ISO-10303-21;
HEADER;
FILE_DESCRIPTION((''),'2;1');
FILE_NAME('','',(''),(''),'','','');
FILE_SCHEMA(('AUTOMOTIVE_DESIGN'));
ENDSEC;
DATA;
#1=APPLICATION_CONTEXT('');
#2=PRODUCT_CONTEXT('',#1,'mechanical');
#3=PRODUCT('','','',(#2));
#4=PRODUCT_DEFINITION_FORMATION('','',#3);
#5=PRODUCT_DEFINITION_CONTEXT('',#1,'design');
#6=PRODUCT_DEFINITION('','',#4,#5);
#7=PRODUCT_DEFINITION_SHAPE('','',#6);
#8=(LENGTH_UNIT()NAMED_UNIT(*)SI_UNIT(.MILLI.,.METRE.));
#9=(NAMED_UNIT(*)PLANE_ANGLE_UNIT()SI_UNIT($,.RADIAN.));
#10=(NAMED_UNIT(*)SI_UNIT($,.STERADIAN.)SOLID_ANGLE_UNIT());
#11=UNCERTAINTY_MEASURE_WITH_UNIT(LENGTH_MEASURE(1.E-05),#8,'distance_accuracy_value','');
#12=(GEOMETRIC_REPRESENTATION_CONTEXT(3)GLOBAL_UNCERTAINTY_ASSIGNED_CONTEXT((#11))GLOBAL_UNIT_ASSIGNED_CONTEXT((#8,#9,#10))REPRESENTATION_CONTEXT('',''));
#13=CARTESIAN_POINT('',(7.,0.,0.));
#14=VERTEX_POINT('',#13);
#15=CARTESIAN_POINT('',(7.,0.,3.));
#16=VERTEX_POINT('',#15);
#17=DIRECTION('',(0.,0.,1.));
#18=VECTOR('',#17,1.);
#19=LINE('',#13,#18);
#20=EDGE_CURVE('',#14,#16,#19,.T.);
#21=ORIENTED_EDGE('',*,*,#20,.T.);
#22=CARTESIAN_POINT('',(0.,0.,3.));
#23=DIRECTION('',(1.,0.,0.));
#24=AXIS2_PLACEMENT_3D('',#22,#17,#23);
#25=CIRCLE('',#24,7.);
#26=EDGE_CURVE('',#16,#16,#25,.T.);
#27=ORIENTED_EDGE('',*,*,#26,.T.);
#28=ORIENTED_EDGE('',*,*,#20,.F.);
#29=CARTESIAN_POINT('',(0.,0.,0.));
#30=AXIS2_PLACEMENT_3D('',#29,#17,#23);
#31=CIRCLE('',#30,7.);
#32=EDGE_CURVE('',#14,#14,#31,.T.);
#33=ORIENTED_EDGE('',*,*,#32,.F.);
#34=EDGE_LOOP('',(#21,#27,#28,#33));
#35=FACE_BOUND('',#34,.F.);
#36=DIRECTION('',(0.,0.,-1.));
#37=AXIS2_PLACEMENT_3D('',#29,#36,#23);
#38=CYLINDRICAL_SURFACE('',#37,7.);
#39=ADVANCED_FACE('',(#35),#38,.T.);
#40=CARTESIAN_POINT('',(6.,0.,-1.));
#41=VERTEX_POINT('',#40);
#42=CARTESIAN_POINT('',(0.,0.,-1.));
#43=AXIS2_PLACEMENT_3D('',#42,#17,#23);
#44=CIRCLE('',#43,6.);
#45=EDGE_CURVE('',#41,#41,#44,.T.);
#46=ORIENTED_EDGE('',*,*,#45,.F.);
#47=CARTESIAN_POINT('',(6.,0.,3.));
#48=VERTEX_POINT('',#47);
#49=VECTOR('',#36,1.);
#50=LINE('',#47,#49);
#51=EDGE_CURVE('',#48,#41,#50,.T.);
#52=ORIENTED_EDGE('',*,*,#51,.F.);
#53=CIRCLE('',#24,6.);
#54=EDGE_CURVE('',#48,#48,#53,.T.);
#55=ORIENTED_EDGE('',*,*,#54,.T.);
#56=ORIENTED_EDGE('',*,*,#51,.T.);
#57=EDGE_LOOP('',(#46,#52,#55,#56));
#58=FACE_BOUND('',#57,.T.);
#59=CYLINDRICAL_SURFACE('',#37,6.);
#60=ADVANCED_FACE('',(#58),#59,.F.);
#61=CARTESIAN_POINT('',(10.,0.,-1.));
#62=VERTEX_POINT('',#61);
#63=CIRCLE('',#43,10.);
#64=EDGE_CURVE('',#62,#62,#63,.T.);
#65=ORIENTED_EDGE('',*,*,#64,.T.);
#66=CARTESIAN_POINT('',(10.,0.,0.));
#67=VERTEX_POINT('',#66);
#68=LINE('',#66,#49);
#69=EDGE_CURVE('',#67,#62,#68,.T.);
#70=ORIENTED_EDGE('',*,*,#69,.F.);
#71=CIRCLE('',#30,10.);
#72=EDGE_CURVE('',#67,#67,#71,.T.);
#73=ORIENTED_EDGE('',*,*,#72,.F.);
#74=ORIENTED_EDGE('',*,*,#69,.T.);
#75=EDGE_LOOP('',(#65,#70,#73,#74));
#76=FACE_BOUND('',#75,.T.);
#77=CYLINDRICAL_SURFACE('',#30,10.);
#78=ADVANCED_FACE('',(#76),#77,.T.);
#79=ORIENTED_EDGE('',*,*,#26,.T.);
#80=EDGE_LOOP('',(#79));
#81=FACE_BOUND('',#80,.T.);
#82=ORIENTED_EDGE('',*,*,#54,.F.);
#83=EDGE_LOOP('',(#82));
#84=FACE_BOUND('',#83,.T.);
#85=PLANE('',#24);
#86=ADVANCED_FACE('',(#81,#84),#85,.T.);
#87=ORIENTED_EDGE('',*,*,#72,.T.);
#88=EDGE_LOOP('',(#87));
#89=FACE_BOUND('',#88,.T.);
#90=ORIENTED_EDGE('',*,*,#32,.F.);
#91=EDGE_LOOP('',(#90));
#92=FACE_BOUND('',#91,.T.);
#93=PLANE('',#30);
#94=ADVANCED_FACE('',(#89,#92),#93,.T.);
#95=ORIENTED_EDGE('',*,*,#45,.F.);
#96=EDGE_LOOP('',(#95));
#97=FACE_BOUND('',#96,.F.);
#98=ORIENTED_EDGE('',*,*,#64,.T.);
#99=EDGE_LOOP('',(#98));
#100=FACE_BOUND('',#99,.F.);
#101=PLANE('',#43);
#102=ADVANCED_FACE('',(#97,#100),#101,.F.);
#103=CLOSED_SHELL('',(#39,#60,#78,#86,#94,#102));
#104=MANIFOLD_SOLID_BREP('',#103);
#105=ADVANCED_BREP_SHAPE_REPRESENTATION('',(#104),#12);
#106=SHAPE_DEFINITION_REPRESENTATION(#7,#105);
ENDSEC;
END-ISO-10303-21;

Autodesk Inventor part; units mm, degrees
ref_plane "YZ Plane" through (0, 0, 0) normal (1, 0, 0) x (0, 1, 0)
ref_plane "XZ Plane" through (0, 0, 0) normal (0, 1, 0) x (-1, 0, 0)
ref_plane "XY Plane" through (0, 0, 0) normal (0, 0, 1) x (1, 0, 0)
sketch "スケッチ1" plane through (0, 0, 0) normal (0, 0, 1) x (1, 0, 0)
  circle A0 centre (0, 0) radius 6
  circle A1 centre (0, 0) radius 7
  circle A2 centre (0, 0) radius 10
  dimension "d0" = 12
  dimension "d1" = 14
  dimension "d2" = 20
extrude "押し出し1" add sketch "スケッチ1" along normal blind 3 contours A1
extrude "押し出し2" add sketch "スケッチ1" against normal blind 1 contours A1 | A2
properties part number "オイレス　12-14-3　フランジ付き" material "アセタール樹脂、黒"
